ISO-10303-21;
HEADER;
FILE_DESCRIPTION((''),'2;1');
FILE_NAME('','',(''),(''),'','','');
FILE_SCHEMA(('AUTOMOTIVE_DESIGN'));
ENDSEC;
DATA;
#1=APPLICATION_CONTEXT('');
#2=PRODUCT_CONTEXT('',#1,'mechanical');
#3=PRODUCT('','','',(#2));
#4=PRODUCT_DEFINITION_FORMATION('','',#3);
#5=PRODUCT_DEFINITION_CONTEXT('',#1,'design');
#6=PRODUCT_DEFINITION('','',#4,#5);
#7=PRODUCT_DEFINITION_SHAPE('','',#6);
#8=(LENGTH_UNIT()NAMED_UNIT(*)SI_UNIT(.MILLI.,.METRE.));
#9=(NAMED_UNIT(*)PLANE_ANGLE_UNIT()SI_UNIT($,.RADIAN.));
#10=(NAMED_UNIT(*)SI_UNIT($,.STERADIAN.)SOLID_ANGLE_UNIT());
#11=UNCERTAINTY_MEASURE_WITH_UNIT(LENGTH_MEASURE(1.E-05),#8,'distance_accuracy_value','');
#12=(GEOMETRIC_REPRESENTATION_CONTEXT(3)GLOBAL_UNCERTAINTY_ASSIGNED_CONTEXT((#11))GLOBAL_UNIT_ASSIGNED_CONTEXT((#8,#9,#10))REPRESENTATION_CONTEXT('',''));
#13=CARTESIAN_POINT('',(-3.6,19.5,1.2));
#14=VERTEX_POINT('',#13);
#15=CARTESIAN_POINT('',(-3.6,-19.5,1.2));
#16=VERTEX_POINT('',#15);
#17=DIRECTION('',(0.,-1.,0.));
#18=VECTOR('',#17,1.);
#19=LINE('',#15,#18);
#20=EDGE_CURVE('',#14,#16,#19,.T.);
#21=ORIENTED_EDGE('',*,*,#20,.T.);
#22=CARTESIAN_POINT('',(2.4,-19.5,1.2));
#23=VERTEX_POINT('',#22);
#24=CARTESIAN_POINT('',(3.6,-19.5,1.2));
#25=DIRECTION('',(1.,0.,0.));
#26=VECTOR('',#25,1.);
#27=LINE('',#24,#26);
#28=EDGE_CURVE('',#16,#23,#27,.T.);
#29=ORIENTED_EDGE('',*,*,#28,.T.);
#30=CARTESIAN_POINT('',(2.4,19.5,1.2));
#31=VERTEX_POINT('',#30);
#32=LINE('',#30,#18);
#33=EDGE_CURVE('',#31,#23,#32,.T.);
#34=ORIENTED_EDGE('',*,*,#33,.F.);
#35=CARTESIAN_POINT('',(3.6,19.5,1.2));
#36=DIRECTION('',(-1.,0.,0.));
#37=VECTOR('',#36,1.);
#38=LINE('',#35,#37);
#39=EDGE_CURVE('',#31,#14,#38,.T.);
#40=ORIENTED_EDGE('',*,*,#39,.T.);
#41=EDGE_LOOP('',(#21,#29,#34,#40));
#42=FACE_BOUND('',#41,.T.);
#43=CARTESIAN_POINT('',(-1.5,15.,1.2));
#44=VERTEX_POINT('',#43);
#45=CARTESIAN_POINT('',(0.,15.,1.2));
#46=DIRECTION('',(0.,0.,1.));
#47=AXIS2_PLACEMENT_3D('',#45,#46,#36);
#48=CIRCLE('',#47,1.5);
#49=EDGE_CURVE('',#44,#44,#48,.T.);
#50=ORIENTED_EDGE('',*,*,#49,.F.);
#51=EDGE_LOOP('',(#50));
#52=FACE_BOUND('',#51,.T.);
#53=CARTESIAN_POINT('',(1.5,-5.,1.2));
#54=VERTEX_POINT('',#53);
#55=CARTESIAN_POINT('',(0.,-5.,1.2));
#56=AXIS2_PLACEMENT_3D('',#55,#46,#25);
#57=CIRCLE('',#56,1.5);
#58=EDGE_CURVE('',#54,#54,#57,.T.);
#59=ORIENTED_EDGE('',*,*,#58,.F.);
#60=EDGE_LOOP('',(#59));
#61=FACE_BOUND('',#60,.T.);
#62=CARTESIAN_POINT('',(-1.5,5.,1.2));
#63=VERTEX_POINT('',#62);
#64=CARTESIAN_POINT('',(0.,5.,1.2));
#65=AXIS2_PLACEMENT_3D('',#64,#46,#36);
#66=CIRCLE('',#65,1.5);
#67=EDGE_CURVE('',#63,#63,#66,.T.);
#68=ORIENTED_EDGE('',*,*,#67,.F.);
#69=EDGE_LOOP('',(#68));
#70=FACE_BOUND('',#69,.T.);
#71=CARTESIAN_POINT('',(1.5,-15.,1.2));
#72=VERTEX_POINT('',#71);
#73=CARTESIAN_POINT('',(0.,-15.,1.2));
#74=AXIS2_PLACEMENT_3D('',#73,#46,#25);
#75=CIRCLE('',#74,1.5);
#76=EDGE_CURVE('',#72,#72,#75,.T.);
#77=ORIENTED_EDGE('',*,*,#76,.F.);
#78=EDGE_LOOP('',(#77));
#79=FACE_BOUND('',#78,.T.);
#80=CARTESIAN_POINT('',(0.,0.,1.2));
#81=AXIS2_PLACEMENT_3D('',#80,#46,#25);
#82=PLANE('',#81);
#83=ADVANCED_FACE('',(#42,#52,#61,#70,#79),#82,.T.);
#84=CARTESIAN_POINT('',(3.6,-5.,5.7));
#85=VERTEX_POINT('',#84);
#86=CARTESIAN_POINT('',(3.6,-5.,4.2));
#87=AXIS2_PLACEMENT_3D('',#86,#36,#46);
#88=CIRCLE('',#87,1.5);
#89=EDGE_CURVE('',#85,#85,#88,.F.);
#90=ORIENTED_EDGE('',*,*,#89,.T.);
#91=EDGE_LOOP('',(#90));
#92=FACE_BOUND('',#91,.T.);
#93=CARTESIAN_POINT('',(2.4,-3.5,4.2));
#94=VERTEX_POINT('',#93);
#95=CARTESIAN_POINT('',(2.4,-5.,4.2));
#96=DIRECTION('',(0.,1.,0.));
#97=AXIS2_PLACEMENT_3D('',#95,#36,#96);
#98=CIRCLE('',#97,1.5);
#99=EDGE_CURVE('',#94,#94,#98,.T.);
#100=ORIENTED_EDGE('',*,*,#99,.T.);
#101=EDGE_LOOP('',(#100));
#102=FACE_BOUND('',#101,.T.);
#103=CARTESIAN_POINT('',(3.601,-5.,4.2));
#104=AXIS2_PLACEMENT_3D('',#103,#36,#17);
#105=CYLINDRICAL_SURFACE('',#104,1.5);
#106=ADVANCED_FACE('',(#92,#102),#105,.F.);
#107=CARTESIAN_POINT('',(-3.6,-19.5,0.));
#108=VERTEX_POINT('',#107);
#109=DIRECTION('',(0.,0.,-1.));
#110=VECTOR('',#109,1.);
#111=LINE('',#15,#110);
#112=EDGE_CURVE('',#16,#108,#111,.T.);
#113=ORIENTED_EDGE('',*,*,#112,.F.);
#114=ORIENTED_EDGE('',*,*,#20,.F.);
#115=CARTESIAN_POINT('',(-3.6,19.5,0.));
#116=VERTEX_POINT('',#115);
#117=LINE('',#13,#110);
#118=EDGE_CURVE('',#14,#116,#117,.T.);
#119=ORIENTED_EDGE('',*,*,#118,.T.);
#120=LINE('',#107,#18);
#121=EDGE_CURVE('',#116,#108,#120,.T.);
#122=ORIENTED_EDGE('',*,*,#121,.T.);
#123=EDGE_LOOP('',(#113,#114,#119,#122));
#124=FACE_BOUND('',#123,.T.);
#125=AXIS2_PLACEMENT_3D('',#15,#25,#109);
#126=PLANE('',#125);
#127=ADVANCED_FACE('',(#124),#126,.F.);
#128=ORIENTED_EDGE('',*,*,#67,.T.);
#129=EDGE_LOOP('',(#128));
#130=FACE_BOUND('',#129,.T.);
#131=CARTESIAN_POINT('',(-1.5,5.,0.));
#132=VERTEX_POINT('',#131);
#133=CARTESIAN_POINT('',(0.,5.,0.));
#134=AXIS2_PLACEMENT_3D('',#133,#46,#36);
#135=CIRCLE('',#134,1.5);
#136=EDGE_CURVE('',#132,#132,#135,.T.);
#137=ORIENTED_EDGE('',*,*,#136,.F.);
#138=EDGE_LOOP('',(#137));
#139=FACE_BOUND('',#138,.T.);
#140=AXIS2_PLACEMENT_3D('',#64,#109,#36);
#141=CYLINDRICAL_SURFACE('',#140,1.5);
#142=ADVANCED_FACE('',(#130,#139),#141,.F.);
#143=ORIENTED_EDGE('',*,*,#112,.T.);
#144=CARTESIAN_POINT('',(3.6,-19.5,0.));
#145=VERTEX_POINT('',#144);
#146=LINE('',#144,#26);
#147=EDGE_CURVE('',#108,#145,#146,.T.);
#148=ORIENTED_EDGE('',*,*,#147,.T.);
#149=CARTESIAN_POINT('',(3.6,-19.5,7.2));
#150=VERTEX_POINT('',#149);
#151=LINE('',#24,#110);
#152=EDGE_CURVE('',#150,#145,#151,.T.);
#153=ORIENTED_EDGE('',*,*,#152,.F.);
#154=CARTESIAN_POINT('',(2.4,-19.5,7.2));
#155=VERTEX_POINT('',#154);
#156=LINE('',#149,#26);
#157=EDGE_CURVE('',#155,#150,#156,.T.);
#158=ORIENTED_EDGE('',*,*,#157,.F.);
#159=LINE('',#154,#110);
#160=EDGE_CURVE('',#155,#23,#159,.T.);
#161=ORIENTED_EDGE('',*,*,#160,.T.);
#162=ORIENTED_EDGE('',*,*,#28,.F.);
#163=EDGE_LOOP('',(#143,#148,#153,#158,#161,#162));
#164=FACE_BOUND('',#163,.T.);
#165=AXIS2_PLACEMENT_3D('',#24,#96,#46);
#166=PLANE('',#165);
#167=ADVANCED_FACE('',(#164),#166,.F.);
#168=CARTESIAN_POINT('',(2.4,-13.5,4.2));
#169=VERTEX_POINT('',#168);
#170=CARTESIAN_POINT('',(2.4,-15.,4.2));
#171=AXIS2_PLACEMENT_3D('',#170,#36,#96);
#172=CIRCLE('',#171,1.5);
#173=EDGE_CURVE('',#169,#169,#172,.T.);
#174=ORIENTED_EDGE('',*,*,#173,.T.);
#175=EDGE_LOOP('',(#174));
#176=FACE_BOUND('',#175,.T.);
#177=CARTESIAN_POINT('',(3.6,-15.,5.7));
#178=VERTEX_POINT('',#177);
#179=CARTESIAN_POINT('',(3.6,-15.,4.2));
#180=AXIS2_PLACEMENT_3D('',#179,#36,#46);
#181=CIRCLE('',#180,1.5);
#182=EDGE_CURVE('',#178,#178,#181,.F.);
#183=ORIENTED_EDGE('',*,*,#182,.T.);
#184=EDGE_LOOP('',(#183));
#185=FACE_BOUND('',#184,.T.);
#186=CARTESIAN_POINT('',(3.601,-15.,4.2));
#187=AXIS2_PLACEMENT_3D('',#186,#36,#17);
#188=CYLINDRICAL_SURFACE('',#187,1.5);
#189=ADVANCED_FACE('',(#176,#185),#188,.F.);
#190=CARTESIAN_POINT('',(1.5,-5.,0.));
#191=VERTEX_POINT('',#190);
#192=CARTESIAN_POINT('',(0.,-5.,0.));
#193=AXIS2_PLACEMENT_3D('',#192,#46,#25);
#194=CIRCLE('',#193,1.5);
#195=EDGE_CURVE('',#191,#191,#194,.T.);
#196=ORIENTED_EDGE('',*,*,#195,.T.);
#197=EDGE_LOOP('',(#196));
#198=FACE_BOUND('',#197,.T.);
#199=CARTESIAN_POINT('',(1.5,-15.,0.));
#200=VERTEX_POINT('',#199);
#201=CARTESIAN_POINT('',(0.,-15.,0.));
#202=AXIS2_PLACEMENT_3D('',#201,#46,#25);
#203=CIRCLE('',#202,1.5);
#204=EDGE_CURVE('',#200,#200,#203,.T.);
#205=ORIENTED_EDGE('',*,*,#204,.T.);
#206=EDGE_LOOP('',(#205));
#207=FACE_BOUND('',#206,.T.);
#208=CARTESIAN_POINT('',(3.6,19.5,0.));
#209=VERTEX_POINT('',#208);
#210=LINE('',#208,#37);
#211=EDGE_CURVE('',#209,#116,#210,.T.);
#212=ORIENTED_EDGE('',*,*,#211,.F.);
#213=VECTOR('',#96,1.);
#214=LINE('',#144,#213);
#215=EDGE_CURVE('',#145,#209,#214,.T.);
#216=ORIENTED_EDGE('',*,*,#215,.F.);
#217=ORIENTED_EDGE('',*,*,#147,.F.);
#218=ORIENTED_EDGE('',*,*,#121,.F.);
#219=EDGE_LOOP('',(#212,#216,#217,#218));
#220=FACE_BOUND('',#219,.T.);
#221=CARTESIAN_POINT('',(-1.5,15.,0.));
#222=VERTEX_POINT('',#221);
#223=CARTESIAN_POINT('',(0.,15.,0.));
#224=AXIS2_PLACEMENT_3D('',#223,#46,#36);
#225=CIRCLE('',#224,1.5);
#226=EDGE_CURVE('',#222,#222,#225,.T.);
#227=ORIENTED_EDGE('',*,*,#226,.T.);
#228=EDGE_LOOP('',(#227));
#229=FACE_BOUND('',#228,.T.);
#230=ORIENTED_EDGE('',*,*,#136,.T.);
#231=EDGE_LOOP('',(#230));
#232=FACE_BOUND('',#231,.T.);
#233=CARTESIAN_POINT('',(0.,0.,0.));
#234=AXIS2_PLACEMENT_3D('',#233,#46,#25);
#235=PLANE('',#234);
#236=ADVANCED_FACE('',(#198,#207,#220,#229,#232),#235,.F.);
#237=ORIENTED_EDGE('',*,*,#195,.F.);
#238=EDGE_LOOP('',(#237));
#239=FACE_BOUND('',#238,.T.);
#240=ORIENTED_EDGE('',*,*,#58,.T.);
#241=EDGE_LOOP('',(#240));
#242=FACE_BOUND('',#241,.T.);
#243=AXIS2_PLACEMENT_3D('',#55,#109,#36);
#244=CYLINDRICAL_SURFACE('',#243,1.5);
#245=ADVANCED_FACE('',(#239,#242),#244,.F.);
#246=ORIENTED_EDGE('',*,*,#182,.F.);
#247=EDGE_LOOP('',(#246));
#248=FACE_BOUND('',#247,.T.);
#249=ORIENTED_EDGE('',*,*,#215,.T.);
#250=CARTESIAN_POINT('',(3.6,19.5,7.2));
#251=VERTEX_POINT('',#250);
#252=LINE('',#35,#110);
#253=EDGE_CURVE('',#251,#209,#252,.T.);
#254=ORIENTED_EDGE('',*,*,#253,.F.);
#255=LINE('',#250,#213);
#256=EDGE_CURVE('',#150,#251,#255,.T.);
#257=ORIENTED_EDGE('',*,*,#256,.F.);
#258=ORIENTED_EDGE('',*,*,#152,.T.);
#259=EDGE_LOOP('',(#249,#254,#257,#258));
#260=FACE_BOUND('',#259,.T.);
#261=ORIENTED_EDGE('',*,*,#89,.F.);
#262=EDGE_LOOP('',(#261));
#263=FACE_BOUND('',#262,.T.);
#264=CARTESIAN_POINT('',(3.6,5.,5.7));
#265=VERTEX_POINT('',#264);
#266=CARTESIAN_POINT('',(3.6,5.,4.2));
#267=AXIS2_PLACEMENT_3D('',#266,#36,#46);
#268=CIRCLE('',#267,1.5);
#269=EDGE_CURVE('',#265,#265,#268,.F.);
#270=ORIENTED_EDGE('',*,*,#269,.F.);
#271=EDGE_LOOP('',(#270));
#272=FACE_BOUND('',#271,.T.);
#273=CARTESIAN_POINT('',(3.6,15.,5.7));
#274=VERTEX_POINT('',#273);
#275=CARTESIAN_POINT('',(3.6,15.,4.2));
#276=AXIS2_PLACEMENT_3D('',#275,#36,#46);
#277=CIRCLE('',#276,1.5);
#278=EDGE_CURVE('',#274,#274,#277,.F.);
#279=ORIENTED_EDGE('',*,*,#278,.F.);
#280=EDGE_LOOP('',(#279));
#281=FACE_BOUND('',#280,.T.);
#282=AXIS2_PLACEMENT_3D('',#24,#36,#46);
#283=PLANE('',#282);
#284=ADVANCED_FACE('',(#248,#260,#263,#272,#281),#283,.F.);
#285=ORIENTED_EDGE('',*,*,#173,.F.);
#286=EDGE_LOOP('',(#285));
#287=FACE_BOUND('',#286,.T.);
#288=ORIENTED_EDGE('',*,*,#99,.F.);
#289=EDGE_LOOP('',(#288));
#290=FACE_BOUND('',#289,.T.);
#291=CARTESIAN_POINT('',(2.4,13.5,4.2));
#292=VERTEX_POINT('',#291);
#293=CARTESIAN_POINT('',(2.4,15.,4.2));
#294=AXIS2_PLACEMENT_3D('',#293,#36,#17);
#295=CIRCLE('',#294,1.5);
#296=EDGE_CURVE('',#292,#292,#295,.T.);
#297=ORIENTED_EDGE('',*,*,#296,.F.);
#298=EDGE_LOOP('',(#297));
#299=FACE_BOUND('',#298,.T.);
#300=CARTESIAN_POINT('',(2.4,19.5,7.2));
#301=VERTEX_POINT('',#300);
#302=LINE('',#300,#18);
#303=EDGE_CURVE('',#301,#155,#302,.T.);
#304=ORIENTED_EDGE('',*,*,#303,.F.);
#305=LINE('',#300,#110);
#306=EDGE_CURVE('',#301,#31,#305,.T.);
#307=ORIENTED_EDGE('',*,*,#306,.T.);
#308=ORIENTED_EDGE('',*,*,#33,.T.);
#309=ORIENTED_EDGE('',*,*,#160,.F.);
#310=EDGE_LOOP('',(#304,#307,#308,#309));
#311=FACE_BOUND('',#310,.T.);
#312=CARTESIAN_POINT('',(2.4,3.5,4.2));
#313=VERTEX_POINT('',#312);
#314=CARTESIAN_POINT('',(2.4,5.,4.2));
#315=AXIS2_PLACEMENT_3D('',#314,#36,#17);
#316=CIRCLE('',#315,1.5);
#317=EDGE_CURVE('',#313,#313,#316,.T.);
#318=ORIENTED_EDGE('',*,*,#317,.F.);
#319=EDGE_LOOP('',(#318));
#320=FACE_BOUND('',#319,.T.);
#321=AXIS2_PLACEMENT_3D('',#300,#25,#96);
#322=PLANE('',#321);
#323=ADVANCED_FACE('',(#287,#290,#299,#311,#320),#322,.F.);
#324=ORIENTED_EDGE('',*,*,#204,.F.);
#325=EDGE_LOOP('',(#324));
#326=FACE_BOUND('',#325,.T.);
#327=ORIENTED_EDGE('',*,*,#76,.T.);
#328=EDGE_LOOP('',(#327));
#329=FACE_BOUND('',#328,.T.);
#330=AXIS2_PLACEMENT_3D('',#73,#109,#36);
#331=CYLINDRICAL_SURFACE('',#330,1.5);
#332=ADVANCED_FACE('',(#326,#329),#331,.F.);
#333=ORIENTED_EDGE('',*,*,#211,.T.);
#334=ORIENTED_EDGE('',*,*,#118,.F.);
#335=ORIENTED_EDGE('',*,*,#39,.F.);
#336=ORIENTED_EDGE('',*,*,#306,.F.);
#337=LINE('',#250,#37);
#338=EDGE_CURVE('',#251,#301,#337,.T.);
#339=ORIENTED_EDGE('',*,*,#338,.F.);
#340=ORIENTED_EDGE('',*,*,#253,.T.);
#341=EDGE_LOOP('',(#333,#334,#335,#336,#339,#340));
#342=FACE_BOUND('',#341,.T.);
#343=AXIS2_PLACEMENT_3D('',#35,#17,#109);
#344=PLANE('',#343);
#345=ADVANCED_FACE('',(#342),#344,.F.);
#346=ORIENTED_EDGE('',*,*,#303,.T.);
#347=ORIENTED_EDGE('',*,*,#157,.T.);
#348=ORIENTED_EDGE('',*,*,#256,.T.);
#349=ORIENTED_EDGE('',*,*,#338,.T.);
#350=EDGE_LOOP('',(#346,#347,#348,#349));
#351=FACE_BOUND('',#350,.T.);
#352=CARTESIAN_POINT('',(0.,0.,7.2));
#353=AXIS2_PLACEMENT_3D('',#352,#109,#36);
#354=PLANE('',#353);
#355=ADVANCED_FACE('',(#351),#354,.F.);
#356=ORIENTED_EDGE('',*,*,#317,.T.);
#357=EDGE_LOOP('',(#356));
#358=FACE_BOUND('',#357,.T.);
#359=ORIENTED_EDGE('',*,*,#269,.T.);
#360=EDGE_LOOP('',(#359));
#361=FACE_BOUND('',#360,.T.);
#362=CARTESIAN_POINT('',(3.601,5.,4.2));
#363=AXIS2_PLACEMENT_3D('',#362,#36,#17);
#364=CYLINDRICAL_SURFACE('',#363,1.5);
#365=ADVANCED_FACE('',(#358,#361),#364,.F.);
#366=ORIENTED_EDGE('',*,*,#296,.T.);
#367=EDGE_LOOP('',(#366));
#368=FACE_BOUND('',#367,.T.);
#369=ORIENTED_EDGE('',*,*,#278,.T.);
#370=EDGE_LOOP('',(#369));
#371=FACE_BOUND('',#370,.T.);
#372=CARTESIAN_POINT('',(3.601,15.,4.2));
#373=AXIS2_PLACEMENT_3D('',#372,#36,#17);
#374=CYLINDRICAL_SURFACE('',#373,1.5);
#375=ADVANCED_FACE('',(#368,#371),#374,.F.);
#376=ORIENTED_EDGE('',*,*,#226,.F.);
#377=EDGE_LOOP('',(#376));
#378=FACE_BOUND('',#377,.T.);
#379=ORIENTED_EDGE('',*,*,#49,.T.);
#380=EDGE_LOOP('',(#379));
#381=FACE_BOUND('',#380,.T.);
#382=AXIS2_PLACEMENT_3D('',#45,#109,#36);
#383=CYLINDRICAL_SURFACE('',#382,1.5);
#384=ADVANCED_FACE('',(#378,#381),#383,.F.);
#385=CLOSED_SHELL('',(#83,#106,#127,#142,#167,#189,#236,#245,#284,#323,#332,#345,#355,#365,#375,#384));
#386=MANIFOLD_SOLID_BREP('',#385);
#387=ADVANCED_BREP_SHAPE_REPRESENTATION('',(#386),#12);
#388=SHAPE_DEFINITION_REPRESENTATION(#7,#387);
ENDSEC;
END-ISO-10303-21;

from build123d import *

# Parameters (mm, degrees)
SKETCH1_W           = 7.2
SKETCH1_H           = 39
SKETCH1_R           = 1.5
BOSS_EXTRUDE1_DEPTH = 1.2
SKETCH2_W           = 1.2
SKETCH2_H           = 39
BOSS_EXTRUDE2_DEPTH = 6
CUT_EXTRUDE1_REACH  = 3.2
SKETCH3_R           = 1.5


with BuildPart() as part:
    # Sketch1 → Boss-Extrude1 (new body)
    with BuildSketch(Plane.XY):
        Rectangle(SKETCH1_W, SKETCH1_H)
        with Locations((0, -5)):
            Circle(SKETCH1_R, mode=Mode.SUBTRACT)
        with Locations((0, -15)):
            Circle(SKETCH1_R, mode=Mode.SUBTRACT)
        with Locations((0, 15)):
            Circle(SKETCH1_R, mode=Mode.SUBTRACT)
        with Locations((0, 5)):
            Circle(SKETCH1_R, mode=Mode.SUBTRACT)
    extrude(amount=BOSS_EXTRUDE1_DEPTH)

    # Sketch2 → Boss-Extrude2 (add)
    with BuildSketch(Plane.XY.offset(1.2)):
        with Locations((3, 0)):
            Rectangle(SKETCH2_W, SKETCH2_H)
    extrude(amount=BOSS_EXTRUDE2_DEPTH)

    # Sketch3 → Cut-Extrude1 (cut, up to next)
    with BuildSketch(Plane.ZY.offset(-2.4), mode=Mode.PRIVATE) as cut_extrude1_sk1:
        with Locations((4.2, 15)):
            Circle(SKETCH3_R)
    cut_extrude1_tool1 = extrude(cut_extrude1_sk1.sketch, amount=-CUT_EXTRUDE1_REACH, mode=Mode.PRIVATE) & part.part
    add(cut_extrude1_tool1.solids().sort_by_distance((2.4, 15, 4.2))[0], mode=Mode.SUBTRACT)
    # Sketch3 → Cut-Extrude1 (cut, up to next)
    with BuildSketch(Plane.ZY.offset(-2.4), mode=Mode.PRIVATE) as cut_extrude1_sk2:
        with Locations((4.2, 5)):
            Circle(SKETCH3_R)
    cut_extrude1_tool2 = extrude(cut_extrude1_sk2.sketch, amount=-CUT_EXTRUDE1_REACH, mode=Mode.PRIVATE) & part.part
    add(cut_extrude1_tool2.solids().sort_by_distance((2.4, 5, 4.2))[0], mode=Mode.SUBTRACT)
    # Sketch3 → Cut-Extrude1 (cut, up to next)
    with BuildSketch(Plane.ZY.offset(-2.4), mode=Mode.PRIVATE) as cut_extrude1_sk3:
        with Locations((4.2, -5)):
            Circle(SKETCH3_R)
    cut_extrude1_tool3 = extrude(cut_extrude1_sk3.sketch, amount=-CUT_EXTRUDE1_REACH, mode=Mode.PRIVATE) & part.part
    add(cut_extrude1_tool3.solids().sort_by_distance((2.4, -5, 4.2))[0], mode=Mode.SUBTRACT)
    # Sketch3 → Cut-Extrude1 (cut, up to next)
    with BuildSketch(Plane.ZY.offset(-2.4), mode=Mode.PRIVATE) as cut_extrude1_sk4:
        with Locations((4.2, -15)):
            Circle(SKETCH3_R)
    cut_extrude1_tool4 = extrude(cut_extrude1_sk4.sketch, amount=-CUT_EXTRUDE1_REACH, mode=Mode.PRIVATE) & part.part
    add(cut_extrude1_tool4.solids().sort_by_distance((2.4, -15, 4.2))[0], mode=Mode.SUBTRACT)


solid = part.part
